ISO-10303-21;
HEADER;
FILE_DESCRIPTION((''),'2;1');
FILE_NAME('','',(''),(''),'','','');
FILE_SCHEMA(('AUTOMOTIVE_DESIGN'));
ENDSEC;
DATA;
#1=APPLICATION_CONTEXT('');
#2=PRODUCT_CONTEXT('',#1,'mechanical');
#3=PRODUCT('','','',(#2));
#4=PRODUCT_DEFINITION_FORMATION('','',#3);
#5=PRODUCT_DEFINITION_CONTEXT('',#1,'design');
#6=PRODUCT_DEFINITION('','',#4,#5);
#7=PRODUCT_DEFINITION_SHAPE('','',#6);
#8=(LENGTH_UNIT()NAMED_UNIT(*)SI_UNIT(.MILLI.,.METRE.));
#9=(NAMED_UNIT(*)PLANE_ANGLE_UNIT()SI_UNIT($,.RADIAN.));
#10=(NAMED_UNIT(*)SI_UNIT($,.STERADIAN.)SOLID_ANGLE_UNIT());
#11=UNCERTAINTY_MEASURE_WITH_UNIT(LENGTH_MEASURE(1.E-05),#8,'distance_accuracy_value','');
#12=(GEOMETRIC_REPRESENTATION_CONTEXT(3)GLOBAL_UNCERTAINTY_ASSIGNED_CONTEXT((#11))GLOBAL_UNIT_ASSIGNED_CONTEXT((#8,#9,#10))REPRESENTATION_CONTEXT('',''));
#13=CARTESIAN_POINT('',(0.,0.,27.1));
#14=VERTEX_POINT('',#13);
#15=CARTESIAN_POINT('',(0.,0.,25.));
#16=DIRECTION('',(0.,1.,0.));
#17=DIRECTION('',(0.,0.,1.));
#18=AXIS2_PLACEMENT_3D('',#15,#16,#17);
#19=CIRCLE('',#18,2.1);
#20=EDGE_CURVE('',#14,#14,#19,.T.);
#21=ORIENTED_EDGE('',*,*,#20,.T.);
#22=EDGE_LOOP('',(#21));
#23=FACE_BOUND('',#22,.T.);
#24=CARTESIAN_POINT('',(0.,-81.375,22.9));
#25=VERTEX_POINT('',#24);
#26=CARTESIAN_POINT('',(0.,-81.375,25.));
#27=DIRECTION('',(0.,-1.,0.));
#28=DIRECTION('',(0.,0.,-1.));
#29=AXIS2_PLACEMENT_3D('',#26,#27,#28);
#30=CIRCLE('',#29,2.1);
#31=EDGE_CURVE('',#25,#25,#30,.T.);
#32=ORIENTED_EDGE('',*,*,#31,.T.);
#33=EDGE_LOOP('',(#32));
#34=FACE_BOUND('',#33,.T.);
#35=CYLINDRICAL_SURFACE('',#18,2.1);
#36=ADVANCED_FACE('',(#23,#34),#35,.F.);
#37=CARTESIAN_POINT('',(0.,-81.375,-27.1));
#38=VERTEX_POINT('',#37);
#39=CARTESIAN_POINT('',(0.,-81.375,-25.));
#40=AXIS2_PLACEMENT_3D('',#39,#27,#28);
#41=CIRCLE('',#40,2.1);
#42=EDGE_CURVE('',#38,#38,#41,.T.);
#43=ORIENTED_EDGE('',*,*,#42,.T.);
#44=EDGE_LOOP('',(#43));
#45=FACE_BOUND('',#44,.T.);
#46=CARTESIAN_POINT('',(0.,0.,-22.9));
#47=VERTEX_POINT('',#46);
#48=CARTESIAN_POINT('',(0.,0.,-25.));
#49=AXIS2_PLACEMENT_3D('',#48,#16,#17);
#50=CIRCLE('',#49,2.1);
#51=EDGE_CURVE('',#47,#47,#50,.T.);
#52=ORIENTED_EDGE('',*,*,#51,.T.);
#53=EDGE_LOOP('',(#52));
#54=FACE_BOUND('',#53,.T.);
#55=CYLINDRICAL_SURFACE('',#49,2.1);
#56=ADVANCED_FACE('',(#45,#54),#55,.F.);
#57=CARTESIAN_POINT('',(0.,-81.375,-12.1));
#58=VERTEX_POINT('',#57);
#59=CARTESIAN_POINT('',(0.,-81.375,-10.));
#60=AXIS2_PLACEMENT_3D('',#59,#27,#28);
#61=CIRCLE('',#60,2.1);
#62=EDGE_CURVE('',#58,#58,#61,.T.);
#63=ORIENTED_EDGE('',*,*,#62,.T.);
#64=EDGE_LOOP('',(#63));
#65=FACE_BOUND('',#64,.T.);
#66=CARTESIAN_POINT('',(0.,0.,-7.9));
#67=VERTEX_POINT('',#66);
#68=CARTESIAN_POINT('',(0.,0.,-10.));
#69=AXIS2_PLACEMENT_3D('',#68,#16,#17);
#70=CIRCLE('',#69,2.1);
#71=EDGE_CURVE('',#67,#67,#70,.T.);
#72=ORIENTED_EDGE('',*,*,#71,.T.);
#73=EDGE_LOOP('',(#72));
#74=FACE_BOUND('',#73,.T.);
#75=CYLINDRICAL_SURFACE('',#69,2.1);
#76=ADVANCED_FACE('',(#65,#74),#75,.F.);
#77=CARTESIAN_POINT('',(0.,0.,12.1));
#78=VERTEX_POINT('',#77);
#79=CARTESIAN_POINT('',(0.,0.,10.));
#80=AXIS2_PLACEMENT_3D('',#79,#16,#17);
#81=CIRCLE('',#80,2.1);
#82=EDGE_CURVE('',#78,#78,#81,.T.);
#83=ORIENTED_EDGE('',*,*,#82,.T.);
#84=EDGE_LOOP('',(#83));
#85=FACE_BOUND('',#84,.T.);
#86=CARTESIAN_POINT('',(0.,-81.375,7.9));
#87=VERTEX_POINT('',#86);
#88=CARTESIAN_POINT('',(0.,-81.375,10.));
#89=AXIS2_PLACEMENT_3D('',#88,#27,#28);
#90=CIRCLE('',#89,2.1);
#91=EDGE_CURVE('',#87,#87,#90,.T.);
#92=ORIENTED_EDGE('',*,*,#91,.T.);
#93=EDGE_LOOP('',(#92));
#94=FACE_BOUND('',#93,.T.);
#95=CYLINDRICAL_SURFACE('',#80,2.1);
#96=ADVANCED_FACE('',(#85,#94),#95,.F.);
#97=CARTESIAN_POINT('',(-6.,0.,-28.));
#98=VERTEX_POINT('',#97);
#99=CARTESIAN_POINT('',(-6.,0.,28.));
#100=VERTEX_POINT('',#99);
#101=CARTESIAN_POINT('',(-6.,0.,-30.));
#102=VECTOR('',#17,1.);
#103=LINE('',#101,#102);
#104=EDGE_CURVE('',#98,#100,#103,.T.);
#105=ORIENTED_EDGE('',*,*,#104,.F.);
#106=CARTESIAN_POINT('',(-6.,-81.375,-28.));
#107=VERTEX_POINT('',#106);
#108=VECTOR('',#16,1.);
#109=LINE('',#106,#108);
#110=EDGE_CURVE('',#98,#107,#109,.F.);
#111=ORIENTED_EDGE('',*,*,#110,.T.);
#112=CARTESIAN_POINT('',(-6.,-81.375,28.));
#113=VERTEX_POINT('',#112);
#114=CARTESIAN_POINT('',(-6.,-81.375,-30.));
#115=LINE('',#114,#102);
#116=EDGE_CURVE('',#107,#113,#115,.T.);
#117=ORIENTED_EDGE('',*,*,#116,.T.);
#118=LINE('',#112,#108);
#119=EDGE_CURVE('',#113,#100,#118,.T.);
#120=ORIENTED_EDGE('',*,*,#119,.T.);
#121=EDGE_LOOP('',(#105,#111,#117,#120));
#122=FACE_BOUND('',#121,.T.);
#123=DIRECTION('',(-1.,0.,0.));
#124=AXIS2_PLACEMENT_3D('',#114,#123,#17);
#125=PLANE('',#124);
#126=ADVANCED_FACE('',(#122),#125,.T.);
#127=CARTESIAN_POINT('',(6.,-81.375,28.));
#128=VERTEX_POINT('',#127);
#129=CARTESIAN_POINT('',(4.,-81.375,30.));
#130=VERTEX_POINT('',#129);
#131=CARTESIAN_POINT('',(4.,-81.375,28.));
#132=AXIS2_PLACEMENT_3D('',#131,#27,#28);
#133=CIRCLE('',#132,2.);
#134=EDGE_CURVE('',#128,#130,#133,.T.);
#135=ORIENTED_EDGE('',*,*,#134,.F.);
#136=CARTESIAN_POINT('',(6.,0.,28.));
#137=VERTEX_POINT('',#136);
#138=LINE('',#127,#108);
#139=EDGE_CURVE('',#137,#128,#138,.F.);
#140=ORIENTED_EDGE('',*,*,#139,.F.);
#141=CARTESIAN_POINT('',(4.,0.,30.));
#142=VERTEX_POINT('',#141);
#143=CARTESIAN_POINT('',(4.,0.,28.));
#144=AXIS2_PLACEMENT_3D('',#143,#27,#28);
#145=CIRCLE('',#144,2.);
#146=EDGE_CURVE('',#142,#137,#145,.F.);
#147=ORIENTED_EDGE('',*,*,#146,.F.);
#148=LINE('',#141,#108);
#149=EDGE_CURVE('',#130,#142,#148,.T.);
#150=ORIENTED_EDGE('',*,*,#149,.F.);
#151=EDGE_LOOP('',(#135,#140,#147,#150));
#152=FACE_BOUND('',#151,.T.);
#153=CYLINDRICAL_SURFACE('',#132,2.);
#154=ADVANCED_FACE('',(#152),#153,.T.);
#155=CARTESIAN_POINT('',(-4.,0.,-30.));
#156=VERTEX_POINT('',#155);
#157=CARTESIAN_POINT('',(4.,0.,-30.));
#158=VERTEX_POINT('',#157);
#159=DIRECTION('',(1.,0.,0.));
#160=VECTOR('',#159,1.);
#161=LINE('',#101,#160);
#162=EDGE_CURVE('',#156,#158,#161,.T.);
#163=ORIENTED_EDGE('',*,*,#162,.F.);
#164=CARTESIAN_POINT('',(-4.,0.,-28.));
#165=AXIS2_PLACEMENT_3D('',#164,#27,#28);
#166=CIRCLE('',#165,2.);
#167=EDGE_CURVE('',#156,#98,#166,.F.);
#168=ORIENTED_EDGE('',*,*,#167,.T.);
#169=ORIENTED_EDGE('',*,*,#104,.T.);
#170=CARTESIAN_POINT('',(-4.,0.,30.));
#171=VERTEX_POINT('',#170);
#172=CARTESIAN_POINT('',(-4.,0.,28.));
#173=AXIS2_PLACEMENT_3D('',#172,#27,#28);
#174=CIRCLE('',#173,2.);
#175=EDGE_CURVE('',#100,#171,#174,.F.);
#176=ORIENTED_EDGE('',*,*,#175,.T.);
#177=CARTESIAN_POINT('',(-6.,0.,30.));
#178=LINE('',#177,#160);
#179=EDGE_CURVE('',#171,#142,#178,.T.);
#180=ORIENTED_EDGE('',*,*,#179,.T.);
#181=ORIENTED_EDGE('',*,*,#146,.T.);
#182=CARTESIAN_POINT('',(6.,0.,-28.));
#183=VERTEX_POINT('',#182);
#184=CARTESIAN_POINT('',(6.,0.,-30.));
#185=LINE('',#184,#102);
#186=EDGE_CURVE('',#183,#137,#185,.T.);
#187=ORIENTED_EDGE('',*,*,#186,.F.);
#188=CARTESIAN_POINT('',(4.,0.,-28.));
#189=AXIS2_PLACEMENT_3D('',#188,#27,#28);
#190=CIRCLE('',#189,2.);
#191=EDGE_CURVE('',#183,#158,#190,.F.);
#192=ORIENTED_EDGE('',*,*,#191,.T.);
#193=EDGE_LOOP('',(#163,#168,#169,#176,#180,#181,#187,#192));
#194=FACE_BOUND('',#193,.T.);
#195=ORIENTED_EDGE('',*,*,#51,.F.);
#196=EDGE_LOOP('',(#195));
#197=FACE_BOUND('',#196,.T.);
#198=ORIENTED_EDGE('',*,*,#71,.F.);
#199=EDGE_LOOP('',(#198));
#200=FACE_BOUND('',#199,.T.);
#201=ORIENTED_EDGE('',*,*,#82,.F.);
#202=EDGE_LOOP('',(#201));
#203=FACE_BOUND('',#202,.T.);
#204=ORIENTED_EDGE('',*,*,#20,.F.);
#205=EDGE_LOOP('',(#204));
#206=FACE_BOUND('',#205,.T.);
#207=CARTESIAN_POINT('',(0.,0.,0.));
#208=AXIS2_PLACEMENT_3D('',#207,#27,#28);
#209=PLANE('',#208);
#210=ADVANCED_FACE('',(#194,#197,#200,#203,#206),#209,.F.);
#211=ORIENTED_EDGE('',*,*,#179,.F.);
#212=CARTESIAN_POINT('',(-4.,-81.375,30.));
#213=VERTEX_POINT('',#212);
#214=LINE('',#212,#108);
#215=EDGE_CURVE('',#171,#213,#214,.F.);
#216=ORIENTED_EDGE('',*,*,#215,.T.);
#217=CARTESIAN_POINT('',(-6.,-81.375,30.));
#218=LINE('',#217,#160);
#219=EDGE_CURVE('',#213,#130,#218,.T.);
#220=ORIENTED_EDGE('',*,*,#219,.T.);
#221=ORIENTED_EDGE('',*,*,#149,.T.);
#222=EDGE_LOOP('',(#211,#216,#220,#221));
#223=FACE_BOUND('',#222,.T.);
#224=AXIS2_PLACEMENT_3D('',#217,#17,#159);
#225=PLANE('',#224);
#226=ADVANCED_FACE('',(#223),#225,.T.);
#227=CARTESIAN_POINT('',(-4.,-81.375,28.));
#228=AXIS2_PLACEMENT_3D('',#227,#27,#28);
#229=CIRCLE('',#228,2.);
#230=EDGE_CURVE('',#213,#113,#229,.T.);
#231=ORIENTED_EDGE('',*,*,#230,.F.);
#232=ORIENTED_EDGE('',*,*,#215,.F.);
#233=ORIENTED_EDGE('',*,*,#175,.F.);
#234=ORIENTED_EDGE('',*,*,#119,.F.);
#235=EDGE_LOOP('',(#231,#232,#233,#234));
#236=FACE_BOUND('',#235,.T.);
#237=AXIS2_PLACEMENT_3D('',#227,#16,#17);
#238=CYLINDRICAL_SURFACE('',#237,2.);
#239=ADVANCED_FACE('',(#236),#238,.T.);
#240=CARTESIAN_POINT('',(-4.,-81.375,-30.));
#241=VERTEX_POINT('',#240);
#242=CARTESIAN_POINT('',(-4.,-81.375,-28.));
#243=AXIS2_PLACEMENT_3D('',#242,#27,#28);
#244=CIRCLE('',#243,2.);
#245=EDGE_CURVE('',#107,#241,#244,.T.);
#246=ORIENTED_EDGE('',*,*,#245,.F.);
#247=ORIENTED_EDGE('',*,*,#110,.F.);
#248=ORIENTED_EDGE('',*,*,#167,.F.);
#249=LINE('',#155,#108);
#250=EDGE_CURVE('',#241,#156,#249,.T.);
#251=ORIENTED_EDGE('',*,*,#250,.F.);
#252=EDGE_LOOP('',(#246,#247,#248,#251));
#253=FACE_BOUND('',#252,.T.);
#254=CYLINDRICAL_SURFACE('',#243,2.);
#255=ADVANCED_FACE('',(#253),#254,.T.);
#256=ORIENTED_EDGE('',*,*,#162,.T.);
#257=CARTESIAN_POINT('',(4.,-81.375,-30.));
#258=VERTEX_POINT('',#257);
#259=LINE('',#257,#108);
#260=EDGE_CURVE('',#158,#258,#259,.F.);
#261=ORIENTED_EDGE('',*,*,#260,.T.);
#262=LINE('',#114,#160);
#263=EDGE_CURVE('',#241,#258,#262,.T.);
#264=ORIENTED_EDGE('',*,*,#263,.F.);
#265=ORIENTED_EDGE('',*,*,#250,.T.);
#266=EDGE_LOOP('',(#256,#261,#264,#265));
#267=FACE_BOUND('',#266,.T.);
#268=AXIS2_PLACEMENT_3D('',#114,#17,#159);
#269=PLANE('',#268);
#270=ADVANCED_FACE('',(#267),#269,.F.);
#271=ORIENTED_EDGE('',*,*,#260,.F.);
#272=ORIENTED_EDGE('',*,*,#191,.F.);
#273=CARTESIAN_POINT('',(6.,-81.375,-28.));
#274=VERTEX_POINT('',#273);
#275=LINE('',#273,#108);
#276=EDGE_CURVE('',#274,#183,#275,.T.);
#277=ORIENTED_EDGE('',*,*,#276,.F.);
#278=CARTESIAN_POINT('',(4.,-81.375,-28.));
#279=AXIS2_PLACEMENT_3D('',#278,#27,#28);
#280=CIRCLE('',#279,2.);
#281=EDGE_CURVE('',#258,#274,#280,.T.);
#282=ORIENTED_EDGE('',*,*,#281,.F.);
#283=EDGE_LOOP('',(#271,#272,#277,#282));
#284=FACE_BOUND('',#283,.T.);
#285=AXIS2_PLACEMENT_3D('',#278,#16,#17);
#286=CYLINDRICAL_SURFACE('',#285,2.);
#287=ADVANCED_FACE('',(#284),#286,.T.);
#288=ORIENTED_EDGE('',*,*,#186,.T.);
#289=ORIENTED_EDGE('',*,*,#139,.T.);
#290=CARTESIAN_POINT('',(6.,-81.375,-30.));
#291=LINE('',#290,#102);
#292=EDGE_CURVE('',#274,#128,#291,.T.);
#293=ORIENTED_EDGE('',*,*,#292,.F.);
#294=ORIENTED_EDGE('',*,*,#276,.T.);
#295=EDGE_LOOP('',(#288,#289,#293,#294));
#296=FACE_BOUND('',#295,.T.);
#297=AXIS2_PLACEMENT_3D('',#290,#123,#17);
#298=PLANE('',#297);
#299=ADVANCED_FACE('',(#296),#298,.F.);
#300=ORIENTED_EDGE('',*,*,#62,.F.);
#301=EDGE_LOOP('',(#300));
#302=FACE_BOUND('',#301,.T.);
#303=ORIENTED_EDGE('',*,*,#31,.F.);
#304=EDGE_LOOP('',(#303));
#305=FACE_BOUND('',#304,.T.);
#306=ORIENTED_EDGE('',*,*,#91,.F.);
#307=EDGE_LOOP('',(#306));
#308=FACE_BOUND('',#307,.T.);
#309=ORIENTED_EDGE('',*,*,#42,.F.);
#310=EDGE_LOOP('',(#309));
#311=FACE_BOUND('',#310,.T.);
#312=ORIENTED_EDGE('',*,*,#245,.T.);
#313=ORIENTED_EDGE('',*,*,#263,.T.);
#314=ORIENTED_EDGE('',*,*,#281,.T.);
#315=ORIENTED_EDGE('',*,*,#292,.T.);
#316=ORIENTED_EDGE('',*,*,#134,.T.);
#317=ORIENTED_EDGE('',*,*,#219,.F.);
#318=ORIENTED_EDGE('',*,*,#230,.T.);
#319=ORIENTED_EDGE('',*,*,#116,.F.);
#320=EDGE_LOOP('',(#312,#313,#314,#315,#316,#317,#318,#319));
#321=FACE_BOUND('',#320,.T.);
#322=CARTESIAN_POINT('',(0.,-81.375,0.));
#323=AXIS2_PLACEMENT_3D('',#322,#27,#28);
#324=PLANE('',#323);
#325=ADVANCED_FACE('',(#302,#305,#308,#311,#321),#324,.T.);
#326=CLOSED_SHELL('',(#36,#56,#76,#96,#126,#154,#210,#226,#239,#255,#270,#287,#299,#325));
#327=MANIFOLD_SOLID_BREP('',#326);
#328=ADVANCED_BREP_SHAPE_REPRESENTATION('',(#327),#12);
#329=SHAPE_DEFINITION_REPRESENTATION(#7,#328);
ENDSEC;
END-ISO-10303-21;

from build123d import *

# Parameters (mm, degrees)
SKETCH1_W                   = 12
SKETCH1_H                   = 60
BOSS_EXTRUDE1_DEPTH         = 81.375
TAP_DRILL_FOR_M5X0_8_TAP1_D = 4.2
FILLET1_R                   = 2


with BuildPart() as part:
    # Sketch1 → Boss-Extrude1 (new body)
    with BuildSketch(Plane(origin=(0, 0, 0), x_dir=(1, 0, 0), z_dir=(0, 1, 0))):
        Rectangle(SKETCH1_W, SKETCH1_H)
    extrude(amount=-BOSS_EXTRUDE1_DEPTH)

    # Tap Drill for M5x0.8 Tap1 (through all)
    with Locations(Plane(origin=(0, 0, -10), x_dir=(0, 0, 1), z_dir=(0, 1, 0))):
        with Locations((0, 0), (20, 0), (-15, 0), (35, 0)):
            Hole(TAP_DRILL_FOR_M5X0_8_TAP1_D / 2)

    # Fillet1
    fillet1_edges = [part.edges().sort_by_distance(p)[0] for p in [
        (-6, -40.6875, -30),
        (-6, -40.6875, 30),
        (6, -40.6875, 30),
        (6, -40.6875, -30),
    ]]
    fillet(fillet1_edges, radius=FILLET1_R)


solid = part.part
